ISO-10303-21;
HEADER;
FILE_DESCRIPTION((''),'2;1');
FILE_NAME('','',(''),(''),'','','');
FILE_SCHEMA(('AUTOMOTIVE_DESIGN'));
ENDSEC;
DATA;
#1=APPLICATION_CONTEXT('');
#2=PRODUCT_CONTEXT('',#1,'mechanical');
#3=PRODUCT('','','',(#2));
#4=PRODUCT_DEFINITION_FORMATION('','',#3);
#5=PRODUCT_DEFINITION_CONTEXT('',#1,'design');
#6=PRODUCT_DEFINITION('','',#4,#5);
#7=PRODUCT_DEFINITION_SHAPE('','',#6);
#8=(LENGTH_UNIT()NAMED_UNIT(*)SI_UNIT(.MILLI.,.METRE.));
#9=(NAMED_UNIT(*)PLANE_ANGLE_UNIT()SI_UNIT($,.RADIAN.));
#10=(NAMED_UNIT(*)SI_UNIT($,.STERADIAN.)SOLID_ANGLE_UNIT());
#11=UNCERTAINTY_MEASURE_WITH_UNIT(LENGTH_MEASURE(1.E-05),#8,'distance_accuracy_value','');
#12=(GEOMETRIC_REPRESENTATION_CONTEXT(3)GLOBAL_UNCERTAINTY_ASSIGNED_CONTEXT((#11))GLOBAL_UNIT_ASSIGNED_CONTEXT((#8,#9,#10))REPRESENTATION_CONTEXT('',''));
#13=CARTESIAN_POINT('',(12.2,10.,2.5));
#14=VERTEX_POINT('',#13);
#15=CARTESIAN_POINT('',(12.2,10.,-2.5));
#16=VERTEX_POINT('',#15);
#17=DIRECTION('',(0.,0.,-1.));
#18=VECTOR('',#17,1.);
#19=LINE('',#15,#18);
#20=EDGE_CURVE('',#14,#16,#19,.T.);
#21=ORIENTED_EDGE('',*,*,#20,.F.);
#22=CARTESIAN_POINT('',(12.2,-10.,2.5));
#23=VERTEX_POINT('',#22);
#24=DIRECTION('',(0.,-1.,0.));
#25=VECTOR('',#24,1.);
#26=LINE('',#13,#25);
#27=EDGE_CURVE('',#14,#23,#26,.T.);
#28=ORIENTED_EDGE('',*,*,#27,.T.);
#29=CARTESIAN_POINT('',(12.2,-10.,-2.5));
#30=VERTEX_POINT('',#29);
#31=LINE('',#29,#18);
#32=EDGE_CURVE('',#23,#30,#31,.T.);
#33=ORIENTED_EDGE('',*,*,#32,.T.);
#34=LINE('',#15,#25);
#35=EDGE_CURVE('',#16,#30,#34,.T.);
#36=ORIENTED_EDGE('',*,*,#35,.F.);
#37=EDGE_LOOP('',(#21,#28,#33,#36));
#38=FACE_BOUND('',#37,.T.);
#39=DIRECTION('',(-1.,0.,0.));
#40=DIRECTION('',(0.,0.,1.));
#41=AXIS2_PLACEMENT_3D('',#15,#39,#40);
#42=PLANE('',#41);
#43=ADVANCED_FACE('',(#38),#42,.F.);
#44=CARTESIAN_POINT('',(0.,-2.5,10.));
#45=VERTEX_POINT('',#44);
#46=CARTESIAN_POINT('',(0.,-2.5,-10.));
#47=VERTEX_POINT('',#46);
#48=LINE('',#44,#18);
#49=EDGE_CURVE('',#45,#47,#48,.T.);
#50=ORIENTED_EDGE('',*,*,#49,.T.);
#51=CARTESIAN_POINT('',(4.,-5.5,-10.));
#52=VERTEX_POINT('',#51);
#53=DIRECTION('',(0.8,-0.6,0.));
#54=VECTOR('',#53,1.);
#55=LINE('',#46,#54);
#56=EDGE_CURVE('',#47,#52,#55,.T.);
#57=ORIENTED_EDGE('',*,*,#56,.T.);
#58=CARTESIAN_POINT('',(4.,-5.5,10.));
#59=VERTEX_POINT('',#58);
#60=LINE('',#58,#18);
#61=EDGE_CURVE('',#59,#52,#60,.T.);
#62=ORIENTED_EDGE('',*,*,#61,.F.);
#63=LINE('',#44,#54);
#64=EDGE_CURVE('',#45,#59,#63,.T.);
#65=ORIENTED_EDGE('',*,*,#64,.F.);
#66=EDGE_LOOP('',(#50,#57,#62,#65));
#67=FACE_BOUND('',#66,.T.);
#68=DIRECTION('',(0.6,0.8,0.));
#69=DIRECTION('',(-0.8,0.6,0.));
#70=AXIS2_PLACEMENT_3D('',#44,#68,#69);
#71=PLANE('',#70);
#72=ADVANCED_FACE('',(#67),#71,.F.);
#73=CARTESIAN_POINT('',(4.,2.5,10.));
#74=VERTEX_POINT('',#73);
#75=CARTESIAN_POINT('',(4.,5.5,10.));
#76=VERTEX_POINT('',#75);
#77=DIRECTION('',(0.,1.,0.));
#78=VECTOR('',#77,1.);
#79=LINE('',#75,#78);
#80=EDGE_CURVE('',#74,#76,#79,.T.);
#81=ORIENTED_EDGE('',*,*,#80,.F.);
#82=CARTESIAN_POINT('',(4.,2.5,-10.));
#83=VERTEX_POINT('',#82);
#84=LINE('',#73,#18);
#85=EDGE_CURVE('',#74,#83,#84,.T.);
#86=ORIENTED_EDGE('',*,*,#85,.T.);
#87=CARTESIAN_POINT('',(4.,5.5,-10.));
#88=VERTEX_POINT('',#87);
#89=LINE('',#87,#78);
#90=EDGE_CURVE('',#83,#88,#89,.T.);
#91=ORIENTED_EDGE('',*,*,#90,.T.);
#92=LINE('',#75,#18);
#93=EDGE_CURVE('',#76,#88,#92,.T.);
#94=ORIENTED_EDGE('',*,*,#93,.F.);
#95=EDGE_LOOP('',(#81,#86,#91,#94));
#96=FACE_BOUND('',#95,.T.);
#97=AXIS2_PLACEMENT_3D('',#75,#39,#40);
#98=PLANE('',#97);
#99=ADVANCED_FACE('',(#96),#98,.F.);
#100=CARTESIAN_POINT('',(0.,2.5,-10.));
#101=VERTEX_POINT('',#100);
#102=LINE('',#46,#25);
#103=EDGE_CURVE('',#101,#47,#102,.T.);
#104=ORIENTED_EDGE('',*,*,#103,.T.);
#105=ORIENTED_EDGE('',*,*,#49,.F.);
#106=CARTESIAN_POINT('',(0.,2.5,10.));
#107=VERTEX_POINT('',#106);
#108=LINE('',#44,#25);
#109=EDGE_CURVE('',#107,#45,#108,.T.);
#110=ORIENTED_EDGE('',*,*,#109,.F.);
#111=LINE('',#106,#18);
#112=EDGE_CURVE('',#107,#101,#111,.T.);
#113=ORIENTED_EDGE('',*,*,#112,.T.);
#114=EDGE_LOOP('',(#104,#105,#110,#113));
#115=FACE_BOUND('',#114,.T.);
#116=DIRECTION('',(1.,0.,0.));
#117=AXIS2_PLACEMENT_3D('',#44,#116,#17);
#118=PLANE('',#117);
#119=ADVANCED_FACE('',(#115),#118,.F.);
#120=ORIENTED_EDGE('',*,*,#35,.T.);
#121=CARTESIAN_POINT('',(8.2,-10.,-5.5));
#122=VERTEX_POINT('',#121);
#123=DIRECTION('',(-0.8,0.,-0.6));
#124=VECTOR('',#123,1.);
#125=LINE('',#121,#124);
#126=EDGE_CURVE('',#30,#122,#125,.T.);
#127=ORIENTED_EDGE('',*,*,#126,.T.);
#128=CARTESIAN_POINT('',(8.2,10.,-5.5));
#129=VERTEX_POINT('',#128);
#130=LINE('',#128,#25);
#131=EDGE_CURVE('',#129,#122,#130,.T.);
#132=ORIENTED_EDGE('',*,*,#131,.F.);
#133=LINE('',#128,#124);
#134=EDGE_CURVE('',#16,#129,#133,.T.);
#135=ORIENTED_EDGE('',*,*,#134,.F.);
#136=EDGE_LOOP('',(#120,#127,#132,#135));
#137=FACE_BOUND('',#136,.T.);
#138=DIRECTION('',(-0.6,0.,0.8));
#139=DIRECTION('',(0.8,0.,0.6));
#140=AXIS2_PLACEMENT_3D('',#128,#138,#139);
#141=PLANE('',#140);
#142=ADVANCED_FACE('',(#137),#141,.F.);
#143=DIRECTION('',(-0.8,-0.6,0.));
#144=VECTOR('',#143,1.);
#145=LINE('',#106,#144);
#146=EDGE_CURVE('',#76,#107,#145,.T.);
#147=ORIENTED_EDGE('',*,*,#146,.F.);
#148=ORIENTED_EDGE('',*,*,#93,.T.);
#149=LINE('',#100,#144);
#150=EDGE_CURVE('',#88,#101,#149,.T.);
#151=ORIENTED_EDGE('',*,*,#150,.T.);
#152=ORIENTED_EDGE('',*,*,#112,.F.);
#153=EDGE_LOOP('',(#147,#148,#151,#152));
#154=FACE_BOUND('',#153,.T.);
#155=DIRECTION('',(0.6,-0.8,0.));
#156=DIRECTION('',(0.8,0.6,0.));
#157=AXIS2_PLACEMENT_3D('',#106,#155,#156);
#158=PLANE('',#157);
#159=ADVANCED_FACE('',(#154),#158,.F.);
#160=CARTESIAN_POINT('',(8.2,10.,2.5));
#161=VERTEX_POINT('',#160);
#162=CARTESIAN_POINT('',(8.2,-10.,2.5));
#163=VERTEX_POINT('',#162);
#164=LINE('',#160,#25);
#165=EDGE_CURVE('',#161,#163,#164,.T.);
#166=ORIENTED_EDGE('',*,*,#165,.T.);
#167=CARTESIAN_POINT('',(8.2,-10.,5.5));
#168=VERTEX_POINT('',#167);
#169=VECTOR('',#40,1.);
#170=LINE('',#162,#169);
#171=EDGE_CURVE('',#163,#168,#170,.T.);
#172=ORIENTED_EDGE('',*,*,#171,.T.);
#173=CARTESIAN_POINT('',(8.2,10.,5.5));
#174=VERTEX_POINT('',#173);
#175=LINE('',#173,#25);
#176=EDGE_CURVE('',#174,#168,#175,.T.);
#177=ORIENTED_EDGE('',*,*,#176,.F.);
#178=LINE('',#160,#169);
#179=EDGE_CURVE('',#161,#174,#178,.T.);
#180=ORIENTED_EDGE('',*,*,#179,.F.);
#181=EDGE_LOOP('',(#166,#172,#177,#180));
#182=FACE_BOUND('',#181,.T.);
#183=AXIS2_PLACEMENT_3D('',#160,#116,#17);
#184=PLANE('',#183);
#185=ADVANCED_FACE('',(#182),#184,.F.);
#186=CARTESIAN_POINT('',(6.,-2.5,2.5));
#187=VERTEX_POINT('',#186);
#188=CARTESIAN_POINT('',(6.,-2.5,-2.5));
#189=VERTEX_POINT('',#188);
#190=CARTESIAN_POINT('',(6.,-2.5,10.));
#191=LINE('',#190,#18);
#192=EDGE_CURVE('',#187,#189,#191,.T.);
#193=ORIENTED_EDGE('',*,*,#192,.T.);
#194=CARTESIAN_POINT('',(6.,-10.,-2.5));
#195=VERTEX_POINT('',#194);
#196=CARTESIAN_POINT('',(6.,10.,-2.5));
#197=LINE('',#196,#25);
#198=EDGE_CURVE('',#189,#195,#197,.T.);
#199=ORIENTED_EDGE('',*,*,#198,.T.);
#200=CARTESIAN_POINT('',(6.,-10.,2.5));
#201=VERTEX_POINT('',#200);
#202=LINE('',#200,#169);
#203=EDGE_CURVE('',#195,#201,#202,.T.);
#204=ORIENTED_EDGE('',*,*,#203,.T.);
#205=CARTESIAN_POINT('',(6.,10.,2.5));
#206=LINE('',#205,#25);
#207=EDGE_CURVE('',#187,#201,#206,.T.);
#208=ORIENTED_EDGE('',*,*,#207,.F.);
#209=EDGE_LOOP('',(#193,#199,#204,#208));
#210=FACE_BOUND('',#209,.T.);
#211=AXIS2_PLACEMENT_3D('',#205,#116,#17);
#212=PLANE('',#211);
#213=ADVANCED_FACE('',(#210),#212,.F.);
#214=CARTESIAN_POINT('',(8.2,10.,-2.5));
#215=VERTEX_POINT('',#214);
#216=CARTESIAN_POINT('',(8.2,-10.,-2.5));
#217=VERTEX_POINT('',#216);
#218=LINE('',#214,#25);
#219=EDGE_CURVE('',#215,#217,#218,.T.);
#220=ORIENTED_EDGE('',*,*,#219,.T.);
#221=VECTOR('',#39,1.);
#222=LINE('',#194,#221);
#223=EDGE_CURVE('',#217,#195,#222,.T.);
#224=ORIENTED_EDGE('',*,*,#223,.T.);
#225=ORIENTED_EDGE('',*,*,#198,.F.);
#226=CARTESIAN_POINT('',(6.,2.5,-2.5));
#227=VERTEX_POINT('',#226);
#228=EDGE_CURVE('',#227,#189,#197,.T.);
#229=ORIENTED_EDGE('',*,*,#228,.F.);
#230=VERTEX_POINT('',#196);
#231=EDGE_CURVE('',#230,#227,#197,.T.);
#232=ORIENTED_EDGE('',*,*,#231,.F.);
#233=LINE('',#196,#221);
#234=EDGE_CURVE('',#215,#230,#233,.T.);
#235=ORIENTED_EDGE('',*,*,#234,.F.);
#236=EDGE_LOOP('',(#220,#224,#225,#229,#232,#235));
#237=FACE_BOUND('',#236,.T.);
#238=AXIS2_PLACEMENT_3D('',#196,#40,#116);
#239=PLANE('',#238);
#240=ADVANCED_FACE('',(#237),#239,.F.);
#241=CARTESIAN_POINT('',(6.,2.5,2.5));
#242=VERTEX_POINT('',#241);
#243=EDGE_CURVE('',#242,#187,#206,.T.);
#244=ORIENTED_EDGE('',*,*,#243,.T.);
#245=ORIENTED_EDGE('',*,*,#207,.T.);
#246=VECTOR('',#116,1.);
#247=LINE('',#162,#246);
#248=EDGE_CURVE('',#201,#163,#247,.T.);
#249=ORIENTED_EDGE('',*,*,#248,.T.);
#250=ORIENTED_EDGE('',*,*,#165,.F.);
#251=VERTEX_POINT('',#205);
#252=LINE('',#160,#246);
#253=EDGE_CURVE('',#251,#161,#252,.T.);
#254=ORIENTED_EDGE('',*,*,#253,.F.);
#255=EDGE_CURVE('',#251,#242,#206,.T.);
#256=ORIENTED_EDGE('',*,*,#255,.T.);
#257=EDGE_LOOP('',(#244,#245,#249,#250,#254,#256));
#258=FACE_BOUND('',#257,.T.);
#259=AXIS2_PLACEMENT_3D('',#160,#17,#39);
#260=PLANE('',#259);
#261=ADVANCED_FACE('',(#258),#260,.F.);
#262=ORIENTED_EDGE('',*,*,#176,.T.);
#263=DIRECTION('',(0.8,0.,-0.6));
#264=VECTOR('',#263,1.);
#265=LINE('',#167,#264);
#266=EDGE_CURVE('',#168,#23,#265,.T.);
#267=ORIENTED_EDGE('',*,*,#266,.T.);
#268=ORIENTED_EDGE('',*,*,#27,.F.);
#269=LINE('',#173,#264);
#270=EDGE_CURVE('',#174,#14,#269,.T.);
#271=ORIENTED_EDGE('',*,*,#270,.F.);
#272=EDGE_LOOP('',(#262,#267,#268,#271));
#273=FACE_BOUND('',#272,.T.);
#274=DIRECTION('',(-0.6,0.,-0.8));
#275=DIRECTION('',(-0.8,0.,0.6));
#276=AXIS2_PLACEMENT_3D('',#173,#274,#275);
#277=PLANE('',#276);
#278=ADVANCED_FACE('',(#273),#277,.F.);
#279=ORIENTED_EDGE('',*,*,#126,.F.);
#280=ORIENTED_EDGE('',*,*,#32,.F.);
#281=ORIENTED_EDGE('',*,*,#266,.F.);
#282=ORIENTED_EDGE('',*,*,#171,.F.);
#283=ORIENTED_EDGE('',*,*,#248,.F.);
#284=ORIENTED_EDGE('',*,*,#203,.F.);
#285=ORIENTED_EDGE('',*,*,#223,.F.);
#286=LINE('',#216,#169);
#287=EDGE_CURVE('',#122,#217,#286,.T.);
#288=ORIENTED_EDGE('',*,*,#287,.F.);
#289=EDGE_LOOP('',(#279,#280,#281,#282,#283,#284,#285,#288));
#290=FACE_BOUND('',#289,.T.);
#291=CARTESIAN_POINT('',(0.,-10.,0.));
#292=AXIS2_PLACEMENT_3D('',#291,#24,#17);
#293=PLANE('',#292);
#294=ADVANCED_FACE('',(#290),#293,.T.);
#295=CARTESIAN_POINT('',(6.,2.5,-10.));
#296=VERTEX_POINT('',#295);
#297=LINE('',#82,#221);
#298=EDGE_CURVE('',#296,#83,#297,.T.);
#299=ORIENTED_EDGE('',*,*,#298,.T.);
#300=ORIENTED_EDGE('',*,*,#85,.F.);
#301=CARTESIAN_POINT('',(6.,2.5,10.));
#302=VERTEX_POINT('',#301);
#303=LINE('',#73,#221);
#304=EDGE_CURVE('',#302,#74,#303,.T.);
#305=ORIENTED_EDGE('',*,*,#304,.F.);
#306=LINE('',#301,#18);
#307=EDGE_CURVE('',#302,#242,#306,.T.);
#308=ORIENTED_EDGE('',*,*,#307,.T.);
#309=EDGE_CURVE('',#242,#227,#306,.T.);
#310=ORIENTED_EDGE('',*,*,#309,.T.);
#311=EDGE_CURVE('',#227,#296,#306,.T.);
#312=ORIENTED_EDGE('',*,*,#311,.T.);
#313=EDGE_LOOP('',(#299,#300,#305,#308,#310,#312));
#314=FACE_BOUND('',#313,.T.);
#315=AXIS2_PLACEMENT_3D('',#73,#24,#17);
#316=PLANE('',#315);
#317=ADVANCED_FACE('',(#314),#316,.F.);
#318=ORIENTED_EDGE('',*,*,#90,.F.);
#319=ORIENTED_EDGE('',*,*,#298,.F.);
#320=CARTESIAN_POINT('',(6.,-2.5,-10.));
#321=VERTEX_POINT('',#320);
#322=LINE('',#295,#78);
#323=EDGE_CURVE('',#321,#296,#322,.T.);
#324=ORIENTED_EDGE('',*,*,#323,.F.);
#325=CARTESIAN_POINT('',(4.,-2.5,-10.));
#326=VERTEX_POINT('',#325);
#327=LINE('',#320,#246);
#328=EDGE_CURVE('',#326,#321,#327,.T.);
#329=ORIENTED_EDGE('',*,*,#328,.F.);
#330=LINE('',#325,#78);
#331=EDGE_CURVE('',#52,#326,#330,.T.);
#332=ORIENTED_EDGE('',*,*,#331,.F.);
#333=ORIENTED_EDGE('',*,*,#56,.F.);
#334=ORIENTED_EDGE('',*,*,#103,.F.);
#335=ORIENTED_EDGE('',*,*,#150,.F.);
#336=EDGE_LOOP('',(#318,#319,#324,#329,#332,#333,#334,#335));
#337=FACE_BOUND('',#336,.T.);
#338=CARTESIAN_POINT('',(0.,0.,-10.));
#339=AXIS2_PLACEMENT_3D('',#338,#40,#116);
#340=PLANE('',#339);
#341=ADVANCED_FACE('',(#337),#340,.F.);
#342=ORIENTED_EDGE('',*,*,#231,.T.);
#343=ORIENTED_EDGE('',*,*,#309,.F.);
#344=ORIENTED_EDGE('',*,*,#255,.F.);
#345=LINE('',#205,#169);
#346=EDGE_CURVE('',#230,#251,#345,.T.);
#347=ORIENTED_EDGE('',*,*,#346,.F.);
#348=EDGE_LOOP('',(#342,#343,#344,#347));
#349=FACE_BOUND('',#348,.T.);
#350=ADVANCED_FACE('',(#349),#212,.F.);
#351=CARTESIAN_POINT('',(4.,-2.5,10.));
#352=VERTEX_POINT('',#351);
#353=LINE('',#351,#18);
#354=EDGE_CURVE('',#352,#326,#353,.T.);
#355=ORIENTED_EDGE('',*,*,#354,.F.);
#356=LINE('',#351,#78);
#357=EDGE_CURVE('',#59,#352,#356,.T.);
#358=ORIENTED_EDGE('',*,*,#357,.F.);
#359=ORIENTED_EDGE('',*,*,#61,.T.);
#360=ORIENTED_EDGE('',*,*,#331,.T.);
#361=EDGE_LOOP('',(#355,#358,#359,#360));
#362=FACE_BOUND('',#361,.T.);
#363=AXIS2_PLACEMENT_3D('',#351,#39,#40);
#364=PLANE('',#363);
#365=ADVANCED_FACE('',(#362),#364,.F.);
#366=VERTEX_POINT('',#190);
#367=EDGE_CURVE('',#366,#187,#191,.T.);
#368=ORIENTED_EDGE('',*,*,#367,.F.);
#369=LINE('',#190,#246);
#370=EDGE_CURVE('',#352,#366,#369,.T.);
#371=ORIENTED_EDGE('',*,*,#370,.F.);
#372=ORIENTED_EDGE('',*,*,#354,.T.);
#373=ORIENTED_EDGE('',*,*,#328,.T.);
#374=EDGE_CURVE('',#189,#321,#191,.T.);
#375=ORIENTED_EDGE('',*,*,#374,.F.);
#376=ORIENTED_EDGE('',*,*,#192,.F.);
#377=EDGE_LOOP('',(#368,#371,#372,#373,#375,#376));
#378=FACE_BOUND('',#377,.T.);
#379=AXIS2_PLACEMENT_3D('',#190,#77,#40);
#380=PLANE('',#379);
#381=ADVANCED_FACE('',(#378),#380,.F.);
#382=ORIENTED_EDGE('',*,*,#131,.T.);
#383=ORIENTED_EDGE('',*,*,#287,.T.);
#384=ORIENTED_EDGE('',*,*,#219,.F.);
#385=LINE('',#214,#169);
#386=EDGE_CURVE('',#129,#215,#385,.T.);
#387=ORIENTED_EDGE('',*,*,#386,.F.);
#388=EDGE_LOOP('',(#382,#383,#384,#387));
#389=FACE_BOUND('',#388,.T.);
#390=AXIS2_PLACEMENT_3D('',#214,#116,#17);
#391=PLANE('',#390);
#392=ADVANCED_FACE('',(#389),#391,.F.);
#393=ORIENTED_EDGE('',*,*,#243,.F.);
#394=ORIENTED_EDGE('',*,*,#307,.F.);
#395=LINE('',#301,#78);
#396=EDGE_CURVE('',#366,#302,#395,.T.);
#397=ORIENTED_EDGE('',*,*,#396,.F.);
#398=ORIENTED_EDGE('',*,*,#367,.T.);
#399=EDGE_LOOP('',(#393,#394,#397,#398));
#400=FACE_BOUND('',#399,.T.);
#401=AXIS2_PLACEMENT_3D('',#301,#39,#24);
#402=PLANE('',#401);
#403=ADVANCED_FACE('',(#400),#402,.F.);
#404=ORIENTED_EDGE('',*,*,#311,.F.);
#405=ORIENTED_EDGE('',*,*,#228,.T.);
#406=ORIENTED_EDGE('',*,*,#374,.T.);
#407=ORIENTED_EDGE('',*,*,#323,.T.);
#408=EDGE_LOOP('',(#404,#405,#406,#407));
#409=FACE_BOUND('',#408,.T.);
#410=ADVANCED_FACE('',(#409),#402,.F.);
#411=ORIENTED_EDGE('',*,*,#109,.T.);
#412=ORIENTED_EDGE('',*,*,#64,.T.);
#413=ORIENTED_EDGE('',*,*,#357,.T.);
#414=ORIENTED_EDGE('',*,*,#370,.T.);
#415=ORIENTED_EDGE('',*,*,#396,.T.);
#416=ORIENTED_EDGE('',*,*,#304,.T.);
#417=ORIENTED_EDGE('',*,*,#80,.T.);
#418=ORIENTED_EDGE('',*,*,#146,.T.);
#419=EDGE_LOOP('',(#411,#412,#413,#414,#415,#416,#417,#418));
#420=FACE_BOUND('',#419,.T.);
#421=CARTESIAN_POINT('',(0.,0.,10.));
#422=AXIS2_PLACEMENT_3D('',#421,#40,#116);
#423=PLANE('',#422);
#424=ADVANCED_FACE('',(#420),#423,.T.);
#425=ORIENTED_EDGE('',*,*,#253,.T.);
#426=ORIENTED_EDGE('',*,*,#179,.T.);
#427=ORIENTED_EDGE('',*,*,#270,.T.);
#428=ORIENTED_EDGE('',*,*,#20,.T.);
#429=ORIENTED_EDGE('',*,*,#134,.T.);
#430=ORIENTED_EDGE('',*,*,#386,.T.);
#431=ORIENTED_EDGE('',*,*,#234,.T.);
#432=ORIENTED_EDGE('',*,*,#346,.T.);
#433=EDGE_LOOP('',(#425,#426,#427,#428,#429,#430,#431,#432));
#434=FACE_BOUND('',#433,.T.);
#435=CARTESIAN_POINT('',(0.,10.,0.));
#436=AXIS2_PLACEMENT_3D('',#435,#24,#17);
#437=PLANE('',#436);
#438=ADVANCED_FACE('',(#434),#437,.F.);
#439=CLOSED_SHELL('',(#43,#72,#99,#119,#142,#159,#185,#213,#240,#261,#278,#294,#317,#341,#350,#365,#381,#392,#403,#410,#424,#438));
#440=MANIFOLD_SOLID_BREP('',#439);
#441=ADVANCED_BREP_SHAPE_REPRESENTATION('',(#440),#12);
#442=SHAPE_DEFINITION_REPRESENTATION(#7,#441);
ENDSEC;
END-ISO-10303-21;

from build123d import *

# Parameters (mm, degrees)
BOSS_EXTRU_1_DEPTH = 10
BOSS_EXTRU_2_DEPTH = 10


with BuildPart() as part:
    # ProfileRainureEsquisse → Boss.-Extru.1 (new body, symmetric)
    with BuildSketch(Plane.XY):
        Polygon((0, -2.5), (0, 2.5), (4, 5.5), (4, 2.5), (6, 2.5), (6, -2.5), (4, -2.5), (4, -5.5), align=None)
    extrude(amount=BOSS_EXTRU_1_DEPTH, both=True)

    # Esquisse1 → Boss.-Extru.2 (add, symmetric)
    with BuildSketch(Plane(origin=(0, 0, 0), x_dir=(1, 0, 0), z_dir=(0, 1, 0))):
        Polygon((6, 2.5), (8.2, 2.5), (8.2, 5.5), (12.2, 2.5), (12.2, -2.5), (8.2, -5.5), (8.2, -2.5), (6, -2.5), align=None)
    extrude(amount=BOSS_EXTRU_2_DEPTH, both=True)


solid = part.part
